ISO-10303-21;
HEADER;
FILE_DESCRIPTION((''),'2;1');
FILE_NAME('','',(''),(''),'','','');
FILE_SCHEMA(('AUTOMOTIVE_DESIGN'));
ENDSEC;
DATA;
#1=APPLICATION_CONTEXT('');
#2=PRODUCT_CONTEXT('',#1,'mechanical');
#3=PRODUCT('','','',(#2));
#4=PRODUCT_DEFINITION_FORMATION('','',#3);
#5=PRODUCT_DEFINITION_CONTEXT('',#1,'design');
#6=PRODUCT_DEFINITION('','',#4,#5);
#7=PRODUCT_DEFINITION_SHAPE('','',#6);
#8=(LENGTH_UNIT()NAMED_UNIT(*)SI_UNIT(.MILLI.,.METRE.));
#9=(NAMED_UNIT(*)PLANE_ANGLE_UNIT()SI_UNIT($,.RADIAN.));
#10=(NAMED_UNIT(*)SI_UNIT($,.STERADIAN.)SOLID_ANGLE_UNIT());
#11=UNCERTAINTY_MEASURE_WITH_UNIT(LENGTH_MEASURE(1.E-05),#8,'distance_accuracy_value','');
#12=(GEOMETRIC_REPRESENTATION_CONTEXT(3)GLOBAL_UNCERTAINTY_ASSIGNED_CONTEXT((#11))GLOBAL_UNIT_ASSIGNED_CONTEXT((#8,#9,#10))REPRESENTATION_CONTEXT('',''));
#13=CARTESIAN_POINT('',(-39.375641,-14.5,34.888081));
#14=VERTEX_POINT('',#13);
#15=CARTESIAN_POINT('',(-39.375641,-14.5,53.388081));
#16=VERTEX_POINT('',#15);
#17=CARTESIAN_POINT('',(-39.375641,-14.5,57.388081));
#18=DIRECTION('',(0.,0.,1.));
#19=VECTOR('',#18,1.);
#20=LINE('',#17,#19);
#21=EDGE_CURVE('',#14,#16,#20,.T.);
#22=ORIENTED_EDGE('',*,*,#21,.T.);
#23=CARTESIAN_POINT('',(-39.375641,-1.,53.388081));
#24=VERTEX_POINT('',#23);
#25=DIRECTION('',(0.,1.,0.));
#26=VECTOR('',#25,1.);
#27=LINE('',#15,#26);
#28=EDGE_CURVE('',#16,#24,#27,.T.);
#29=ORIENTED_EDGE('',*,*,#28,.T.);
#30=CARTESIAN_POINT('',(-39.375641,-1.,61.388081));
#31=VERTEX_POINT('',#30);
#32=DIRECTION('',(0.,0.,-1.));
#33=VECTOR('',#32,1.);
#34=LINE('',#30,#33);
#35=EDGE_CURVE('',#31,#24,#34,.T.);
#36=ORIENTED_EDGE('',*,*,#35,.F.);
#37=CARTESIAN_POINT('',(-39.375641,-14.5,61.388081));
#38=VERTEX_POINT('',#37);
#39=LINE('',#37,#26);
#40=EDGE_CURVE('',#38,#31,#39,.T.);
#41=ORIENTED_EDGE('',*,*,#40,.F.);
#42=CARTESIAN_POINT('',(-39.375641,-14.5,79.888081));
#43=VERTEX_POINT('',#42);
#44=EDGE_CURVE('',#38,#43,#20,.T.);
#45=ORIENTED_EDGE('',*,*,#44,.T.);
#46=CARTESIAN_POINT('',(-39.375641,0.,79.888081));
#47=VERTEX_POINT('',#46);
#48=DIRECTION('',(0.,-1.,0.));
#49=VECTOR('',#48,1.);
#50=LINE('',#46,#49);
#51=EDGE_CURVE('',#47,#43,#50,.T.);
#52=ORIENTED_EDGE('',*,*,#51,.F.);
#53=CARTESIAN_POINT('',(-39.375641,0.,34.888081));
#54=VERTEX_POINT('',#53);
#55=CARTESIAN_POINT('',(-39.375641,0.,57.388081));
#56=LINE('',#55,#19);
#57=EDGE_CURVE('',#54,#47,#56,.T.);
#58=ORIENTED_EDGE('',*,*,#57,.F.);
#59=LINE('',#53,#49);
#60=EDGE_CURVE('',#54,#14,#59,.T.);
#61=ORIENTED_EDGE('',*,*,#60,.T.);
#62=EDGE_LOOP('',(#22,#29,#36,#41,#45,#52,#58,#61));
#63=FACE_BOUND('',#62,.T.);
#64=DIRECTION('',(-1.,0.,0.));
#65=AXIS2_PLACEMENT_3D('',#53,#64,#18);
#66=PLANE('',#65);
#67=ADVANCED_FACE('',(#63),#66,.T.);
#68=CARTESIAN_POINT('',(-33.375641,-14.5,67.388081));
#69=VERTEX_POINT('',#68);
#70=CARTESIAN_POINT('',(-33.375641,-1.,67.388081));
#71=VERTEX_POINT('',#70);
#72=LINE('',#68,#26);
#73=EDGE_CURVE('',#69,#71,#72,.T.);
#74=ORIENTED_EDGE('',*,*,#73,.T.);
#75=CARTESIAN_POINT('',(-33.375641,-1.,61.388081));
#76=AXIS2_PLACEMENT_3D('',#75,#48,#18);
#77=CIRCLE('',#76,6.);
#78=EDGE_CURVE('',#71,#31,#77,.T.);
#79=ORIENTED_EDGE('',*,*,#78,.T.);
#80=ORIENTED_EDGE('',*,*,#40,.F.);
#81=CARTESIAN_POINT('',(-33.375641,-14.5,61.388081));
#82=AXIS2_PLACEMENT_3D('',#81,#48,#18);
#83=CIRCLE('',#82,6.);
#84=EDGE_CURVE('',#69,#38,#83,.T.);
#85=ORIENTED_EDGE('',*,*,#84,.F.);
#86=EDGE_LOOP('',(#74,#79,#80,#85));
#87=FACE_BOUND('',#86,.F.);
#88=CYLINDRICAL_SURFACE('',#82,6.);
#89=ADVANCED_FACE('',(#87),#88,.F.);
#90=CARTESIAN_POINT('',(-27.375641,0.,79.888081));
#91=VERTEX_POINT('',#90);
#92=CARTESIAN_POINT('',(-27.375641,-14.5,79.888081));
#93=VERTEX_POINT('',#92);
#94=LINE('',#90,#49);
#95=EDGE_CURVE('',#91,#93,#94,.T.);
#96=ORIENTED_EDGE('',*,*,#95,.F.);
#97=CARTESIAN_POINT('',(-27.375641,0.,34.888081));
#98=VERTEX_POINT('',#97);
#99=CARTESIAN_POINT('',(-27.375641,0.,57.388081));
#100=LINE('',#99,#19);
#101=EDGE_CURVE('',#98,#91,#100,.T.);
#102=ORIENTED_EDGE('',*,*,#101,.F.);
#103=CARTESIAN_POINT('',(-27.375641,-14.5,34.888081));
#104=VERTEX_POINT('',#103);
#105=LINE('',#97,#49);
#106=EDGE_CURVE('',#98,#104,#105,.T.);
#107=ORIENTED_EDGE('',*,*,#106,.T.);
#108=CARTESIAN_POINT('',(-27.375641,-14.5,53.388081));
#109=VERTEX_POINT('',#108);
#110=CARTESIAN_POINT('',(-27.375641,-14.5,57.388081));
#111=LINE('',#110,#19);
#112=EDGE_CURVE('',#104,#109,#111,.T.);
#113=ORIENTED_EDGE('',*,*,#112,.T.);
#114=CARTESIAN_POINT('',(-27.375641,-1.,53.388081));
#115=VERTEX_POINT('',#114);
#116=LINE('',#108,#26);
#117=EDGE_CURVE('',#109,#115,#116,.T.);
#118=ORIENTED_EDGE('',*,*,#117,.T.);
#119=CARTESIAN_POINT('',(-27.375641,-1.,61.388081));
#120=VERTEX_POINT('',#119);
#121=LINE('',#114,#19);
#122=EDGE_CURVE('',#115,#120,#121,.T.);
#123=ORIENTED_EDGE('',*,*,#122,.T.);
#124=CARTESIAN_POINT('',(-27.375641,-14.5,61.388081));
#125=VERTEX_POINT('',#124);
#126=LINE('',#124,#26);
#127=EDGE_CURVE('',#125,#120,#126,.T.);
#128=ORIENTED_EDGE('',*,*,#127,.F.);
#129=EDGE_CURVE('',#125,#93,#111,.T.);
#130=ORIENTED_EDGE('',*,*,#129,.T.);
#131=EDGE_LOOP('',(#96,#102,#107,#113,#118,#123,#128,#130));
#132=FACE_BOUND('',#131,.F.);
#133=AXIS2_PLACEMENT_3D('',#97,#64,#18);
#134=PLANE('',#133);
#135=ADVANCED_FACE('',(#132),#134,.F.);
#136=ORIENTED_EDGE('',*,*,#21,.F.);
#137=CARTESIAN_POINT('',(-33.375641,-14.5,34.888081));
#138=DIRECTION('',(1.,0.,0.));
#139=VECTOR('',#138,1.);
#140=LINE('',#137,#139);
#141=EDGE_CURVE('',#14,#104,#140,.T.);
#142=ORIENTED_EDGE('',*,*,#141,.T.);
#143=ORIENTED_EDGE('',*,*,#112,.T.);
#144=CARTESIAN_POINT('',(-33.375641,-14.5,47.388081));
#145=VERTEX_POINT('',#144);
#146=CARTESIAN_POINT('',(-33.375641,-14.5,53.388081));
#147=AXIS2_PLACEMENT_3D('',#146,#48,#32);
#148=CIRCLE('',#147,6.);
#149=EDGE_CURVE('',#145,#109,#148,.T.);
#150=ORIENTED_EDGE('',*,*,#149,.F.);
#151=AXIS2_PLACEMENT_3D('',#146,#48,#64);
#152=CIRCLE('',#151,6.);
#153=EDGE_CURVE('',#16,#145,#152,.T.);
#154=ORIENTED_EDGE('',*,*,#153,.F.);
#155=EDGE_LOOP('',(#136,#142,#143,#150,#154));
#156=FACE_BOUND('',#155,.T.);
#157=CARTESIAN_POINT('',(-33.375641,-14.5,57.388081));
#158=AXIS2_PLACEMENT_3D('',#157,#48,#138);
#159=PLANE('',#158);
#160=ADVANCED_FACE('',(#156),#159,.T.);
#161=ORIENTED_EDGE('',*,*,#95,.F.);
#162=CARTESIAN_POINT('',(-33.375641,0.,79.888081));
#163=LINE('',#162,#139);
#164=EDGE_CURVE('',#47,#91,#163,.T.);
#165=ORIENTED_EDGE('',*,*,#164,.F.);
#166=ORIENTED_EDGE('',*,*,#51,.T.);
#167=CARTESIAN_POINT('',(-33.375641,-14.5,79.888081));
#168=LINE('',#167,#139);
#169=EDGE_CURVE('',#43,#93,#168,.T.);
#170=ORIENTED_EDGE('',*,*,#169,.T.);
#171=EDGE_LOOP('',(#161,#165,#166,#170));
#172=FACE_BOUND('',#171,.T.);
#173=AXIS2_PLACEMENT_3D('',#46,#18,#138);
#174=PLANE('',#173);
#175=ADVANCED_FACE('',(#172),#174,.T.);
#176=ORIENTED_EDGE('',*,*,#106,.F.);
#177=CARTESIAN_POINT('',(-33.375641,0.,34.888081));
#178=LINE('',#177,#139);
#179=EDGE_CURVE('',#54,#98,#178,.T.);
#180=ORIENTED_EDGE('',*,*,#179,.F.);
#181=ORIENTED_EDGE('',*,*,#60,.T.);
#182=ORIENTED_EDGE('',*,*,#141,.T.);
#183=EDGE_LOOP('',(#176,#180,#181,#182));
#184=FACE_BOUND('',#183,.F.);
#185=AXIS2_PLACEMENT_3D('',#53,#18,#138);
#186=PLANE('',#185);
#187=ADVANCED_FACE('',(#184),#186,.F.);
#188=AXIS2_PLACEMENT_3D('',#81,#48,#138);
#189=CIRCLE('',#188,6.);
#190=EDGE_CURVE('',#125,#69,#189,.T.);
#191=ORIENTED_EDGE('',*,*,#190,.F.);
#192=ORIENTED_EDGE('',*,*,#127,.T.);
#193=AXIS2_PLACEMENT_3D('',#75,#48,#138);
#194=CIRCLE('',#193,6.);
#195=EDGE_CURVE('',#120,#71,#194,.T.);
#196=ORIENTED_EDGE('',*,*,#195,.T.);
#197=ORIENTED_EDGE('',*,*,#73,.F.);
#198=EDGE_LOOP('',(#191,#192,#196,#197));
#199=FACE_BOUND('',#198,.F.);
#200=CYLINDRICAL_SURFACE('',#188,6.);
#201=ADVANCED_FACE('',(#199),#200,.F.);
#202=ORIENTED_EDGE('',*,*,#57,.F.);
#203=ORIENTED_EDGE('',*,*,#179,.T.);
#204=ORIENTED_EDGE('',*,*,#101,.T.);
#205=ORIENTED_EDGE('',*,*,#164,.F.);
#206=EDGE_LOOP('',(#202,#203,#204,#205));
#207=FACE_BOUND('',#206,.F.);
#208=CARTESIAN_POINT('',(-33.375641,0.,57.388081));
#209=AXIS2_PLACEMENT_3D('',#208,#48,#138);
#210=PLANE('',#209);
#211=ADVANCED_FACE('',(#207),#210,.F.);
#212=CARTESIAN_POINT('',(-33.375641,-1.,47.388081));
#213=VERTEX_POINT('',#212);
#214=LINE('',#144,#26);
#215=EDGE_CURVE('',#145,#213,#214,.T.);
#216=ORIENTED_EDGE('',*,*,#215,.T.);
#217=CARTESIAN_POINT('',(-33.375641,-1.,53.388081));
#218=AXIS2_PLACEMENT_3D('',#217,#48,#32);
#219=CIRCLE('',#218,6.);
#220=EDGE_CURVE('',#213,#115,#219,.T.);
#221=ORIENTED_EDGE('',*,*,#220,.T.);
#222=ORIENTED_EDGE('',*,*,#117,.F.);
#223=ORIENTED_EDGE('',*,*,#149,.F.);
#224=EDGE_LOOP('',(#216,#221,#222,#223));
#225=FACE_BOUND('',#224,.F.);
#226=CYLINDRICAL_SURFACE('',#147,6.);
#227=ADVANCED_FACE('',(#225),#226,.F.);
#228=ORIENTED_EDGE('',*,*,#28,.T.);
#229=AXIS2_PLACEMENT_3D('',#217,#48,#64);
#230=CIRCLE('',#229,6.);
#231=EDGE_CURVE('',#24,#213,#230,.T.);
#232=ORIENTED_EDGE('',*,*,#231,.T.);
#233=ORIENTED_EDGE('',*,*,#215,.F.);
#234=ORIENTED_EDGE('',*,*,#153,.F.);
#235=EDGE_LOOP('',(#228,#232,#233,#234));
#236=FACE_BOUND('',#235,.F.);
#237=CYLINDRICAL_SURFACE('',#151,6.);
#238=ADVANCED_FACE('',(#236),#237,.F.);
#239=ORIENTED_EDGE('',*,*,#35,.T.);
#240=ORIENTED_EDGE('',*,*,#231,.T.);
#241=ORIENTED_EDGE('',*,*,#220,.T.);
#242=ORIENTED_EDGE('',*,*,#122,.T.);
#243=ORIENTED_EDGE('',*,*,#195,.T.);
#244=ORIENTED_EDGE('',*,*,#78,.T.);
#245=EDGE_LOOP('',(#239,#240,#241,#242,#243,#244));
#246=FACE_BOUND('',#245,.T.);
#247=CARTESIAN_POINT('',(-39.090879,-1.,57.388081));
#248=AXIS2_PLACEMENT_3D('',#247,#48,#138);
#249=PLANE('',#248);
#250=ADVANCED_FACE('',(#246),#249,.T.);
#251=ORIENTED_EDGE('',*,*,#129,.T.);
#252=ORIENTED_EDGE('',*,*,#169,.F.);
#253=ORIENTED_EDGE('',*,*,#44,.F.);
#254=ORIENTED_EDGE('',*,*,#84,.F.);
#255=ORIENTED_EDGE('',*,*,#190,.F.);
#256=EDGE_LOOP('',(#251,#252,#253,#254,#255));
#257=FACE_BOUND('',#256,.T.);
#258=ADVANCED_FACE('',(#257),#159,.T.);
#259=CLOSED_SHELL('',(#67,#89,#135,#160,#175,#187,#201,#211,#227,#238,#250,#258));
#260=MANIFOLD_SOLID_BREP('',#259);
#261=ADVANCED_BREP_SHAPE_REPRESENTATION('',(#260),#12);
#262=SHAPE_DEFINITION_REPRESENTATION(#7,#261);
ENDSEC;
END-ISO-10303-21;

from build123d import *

# Parameters (mm, degrees)
F0_W     = 12
F0_H     = 45
F1_DEPTH = 14.5
F3_DEPTH = 13.5


with BuildPart() as f1:
    # F0 (on Front) → F1 (new body)
    with BuildSketch(Plane.XZ):
        with Locations((-33.3756405115, 57.3880812526)):
            Rectangle(F0_W, F0_H)
    extrude(amount=F1_DEPTH)

    # F2 (on face) → F3 (cut)
    with BuildSketch(Plane.XZ.offset(14.5)):
        with BuildLine():
            ThreePointArc((-37.8477764665, 57.3880812526), (-38.9806746653, 59.2471487139), (-39.3756405115, 61.3880812526))
            Line((-39.3756405115, 61.3880812526), (-39.3756405115, 53.3880812526))
            ThreePointArc((-39.3756405115, 53.3880812526), (-38.9806746653, 55.5290137912), (-37.8477764665, 57.3880812526))
        make_face()
        with BuildLine():
            Line((-27.3756405115, 53.3880812526), (-27.3756405115, 61.3880812526))
            ThreePointArc((-27.3756405115, 61.3880812526), (-27.7706063577, 59.2471487139), (-28.9035045565, 57.3880812526))
            ThreePointArc((-28.9035045565, 57.3880812526), (-27.7706063577, 55.5290137912), (-27.3756405115, 53.3880812526))
        make_face()
        with BuildLine():
            ThreePointArc((-27.3756405115, 61.3880812526), (-29.1329998244, 65.6307219397), (-33.3756405115, 67.3880812526))
            ThreePointArc((-33.3756405115, 67.3880812526), (-37.6182811986, 65.6307219397), (-39.3756405115, 61.3880812526))
            ThreePointArc((-39.3756405115, 61.3880812526), (-38.9806746653, 59.2471487139), (-37.8477764665, 57.3880812526))
            ThreePointArc((-37.8477764665, 57.3880812526), (-33.3756405115, 59.3880812526), (-28.9035045565, 57.3880812526))
            ThreePointArc((-28.9035045565, 57.3880812526), (-27.7706063577, 59.2471487139), (-27.3756405115, 61.3880812526))
        make_face()
        with BuildLine():
            ThreePointArc((-37.8477764665, 57.3880812526), (-38.9806746653, 55.5290137912), (-39.3756405115, 53.3880812526))
            ThreePointArc((-39.3756405115, 53.3880812526), (-37.6182811986, 49.1454405655), (-33.3756405115, 47.3880812526))
            ThreePointArc((-33.3756405115, 47.3880812526), (-29.1329998244, 49.1454405655), (-27.3756405115, 53.3880812526))
            ThreePointArc((-27.3756405115, 53.3880812526), (-27.7706063577, 55.5290137912), (-28.9035045565, 57.3880812526))
            ThreePointArc((-28.9035045565, 57.3880812526), (-33.3756405115, 55.3880812526), (-37.8477764665, 57.3880812526))
        make_face()
        with BuildLine():
            ThreePointArc((-28.9035045565, 57.3880812526), (-33.3756405115, 59.3880812526), (-37.8477764665, 57.3880812526))
            ThreePointArc((-37.8477764665, 57.3880812526), (-33.3756405115, 55.3880812526), (-28.9035045565, 57.3880812526))
        make_face()
    extrude(amount=-F3_DEPTH, mode=Mode.SUBTRACT)


solid = f1.part
